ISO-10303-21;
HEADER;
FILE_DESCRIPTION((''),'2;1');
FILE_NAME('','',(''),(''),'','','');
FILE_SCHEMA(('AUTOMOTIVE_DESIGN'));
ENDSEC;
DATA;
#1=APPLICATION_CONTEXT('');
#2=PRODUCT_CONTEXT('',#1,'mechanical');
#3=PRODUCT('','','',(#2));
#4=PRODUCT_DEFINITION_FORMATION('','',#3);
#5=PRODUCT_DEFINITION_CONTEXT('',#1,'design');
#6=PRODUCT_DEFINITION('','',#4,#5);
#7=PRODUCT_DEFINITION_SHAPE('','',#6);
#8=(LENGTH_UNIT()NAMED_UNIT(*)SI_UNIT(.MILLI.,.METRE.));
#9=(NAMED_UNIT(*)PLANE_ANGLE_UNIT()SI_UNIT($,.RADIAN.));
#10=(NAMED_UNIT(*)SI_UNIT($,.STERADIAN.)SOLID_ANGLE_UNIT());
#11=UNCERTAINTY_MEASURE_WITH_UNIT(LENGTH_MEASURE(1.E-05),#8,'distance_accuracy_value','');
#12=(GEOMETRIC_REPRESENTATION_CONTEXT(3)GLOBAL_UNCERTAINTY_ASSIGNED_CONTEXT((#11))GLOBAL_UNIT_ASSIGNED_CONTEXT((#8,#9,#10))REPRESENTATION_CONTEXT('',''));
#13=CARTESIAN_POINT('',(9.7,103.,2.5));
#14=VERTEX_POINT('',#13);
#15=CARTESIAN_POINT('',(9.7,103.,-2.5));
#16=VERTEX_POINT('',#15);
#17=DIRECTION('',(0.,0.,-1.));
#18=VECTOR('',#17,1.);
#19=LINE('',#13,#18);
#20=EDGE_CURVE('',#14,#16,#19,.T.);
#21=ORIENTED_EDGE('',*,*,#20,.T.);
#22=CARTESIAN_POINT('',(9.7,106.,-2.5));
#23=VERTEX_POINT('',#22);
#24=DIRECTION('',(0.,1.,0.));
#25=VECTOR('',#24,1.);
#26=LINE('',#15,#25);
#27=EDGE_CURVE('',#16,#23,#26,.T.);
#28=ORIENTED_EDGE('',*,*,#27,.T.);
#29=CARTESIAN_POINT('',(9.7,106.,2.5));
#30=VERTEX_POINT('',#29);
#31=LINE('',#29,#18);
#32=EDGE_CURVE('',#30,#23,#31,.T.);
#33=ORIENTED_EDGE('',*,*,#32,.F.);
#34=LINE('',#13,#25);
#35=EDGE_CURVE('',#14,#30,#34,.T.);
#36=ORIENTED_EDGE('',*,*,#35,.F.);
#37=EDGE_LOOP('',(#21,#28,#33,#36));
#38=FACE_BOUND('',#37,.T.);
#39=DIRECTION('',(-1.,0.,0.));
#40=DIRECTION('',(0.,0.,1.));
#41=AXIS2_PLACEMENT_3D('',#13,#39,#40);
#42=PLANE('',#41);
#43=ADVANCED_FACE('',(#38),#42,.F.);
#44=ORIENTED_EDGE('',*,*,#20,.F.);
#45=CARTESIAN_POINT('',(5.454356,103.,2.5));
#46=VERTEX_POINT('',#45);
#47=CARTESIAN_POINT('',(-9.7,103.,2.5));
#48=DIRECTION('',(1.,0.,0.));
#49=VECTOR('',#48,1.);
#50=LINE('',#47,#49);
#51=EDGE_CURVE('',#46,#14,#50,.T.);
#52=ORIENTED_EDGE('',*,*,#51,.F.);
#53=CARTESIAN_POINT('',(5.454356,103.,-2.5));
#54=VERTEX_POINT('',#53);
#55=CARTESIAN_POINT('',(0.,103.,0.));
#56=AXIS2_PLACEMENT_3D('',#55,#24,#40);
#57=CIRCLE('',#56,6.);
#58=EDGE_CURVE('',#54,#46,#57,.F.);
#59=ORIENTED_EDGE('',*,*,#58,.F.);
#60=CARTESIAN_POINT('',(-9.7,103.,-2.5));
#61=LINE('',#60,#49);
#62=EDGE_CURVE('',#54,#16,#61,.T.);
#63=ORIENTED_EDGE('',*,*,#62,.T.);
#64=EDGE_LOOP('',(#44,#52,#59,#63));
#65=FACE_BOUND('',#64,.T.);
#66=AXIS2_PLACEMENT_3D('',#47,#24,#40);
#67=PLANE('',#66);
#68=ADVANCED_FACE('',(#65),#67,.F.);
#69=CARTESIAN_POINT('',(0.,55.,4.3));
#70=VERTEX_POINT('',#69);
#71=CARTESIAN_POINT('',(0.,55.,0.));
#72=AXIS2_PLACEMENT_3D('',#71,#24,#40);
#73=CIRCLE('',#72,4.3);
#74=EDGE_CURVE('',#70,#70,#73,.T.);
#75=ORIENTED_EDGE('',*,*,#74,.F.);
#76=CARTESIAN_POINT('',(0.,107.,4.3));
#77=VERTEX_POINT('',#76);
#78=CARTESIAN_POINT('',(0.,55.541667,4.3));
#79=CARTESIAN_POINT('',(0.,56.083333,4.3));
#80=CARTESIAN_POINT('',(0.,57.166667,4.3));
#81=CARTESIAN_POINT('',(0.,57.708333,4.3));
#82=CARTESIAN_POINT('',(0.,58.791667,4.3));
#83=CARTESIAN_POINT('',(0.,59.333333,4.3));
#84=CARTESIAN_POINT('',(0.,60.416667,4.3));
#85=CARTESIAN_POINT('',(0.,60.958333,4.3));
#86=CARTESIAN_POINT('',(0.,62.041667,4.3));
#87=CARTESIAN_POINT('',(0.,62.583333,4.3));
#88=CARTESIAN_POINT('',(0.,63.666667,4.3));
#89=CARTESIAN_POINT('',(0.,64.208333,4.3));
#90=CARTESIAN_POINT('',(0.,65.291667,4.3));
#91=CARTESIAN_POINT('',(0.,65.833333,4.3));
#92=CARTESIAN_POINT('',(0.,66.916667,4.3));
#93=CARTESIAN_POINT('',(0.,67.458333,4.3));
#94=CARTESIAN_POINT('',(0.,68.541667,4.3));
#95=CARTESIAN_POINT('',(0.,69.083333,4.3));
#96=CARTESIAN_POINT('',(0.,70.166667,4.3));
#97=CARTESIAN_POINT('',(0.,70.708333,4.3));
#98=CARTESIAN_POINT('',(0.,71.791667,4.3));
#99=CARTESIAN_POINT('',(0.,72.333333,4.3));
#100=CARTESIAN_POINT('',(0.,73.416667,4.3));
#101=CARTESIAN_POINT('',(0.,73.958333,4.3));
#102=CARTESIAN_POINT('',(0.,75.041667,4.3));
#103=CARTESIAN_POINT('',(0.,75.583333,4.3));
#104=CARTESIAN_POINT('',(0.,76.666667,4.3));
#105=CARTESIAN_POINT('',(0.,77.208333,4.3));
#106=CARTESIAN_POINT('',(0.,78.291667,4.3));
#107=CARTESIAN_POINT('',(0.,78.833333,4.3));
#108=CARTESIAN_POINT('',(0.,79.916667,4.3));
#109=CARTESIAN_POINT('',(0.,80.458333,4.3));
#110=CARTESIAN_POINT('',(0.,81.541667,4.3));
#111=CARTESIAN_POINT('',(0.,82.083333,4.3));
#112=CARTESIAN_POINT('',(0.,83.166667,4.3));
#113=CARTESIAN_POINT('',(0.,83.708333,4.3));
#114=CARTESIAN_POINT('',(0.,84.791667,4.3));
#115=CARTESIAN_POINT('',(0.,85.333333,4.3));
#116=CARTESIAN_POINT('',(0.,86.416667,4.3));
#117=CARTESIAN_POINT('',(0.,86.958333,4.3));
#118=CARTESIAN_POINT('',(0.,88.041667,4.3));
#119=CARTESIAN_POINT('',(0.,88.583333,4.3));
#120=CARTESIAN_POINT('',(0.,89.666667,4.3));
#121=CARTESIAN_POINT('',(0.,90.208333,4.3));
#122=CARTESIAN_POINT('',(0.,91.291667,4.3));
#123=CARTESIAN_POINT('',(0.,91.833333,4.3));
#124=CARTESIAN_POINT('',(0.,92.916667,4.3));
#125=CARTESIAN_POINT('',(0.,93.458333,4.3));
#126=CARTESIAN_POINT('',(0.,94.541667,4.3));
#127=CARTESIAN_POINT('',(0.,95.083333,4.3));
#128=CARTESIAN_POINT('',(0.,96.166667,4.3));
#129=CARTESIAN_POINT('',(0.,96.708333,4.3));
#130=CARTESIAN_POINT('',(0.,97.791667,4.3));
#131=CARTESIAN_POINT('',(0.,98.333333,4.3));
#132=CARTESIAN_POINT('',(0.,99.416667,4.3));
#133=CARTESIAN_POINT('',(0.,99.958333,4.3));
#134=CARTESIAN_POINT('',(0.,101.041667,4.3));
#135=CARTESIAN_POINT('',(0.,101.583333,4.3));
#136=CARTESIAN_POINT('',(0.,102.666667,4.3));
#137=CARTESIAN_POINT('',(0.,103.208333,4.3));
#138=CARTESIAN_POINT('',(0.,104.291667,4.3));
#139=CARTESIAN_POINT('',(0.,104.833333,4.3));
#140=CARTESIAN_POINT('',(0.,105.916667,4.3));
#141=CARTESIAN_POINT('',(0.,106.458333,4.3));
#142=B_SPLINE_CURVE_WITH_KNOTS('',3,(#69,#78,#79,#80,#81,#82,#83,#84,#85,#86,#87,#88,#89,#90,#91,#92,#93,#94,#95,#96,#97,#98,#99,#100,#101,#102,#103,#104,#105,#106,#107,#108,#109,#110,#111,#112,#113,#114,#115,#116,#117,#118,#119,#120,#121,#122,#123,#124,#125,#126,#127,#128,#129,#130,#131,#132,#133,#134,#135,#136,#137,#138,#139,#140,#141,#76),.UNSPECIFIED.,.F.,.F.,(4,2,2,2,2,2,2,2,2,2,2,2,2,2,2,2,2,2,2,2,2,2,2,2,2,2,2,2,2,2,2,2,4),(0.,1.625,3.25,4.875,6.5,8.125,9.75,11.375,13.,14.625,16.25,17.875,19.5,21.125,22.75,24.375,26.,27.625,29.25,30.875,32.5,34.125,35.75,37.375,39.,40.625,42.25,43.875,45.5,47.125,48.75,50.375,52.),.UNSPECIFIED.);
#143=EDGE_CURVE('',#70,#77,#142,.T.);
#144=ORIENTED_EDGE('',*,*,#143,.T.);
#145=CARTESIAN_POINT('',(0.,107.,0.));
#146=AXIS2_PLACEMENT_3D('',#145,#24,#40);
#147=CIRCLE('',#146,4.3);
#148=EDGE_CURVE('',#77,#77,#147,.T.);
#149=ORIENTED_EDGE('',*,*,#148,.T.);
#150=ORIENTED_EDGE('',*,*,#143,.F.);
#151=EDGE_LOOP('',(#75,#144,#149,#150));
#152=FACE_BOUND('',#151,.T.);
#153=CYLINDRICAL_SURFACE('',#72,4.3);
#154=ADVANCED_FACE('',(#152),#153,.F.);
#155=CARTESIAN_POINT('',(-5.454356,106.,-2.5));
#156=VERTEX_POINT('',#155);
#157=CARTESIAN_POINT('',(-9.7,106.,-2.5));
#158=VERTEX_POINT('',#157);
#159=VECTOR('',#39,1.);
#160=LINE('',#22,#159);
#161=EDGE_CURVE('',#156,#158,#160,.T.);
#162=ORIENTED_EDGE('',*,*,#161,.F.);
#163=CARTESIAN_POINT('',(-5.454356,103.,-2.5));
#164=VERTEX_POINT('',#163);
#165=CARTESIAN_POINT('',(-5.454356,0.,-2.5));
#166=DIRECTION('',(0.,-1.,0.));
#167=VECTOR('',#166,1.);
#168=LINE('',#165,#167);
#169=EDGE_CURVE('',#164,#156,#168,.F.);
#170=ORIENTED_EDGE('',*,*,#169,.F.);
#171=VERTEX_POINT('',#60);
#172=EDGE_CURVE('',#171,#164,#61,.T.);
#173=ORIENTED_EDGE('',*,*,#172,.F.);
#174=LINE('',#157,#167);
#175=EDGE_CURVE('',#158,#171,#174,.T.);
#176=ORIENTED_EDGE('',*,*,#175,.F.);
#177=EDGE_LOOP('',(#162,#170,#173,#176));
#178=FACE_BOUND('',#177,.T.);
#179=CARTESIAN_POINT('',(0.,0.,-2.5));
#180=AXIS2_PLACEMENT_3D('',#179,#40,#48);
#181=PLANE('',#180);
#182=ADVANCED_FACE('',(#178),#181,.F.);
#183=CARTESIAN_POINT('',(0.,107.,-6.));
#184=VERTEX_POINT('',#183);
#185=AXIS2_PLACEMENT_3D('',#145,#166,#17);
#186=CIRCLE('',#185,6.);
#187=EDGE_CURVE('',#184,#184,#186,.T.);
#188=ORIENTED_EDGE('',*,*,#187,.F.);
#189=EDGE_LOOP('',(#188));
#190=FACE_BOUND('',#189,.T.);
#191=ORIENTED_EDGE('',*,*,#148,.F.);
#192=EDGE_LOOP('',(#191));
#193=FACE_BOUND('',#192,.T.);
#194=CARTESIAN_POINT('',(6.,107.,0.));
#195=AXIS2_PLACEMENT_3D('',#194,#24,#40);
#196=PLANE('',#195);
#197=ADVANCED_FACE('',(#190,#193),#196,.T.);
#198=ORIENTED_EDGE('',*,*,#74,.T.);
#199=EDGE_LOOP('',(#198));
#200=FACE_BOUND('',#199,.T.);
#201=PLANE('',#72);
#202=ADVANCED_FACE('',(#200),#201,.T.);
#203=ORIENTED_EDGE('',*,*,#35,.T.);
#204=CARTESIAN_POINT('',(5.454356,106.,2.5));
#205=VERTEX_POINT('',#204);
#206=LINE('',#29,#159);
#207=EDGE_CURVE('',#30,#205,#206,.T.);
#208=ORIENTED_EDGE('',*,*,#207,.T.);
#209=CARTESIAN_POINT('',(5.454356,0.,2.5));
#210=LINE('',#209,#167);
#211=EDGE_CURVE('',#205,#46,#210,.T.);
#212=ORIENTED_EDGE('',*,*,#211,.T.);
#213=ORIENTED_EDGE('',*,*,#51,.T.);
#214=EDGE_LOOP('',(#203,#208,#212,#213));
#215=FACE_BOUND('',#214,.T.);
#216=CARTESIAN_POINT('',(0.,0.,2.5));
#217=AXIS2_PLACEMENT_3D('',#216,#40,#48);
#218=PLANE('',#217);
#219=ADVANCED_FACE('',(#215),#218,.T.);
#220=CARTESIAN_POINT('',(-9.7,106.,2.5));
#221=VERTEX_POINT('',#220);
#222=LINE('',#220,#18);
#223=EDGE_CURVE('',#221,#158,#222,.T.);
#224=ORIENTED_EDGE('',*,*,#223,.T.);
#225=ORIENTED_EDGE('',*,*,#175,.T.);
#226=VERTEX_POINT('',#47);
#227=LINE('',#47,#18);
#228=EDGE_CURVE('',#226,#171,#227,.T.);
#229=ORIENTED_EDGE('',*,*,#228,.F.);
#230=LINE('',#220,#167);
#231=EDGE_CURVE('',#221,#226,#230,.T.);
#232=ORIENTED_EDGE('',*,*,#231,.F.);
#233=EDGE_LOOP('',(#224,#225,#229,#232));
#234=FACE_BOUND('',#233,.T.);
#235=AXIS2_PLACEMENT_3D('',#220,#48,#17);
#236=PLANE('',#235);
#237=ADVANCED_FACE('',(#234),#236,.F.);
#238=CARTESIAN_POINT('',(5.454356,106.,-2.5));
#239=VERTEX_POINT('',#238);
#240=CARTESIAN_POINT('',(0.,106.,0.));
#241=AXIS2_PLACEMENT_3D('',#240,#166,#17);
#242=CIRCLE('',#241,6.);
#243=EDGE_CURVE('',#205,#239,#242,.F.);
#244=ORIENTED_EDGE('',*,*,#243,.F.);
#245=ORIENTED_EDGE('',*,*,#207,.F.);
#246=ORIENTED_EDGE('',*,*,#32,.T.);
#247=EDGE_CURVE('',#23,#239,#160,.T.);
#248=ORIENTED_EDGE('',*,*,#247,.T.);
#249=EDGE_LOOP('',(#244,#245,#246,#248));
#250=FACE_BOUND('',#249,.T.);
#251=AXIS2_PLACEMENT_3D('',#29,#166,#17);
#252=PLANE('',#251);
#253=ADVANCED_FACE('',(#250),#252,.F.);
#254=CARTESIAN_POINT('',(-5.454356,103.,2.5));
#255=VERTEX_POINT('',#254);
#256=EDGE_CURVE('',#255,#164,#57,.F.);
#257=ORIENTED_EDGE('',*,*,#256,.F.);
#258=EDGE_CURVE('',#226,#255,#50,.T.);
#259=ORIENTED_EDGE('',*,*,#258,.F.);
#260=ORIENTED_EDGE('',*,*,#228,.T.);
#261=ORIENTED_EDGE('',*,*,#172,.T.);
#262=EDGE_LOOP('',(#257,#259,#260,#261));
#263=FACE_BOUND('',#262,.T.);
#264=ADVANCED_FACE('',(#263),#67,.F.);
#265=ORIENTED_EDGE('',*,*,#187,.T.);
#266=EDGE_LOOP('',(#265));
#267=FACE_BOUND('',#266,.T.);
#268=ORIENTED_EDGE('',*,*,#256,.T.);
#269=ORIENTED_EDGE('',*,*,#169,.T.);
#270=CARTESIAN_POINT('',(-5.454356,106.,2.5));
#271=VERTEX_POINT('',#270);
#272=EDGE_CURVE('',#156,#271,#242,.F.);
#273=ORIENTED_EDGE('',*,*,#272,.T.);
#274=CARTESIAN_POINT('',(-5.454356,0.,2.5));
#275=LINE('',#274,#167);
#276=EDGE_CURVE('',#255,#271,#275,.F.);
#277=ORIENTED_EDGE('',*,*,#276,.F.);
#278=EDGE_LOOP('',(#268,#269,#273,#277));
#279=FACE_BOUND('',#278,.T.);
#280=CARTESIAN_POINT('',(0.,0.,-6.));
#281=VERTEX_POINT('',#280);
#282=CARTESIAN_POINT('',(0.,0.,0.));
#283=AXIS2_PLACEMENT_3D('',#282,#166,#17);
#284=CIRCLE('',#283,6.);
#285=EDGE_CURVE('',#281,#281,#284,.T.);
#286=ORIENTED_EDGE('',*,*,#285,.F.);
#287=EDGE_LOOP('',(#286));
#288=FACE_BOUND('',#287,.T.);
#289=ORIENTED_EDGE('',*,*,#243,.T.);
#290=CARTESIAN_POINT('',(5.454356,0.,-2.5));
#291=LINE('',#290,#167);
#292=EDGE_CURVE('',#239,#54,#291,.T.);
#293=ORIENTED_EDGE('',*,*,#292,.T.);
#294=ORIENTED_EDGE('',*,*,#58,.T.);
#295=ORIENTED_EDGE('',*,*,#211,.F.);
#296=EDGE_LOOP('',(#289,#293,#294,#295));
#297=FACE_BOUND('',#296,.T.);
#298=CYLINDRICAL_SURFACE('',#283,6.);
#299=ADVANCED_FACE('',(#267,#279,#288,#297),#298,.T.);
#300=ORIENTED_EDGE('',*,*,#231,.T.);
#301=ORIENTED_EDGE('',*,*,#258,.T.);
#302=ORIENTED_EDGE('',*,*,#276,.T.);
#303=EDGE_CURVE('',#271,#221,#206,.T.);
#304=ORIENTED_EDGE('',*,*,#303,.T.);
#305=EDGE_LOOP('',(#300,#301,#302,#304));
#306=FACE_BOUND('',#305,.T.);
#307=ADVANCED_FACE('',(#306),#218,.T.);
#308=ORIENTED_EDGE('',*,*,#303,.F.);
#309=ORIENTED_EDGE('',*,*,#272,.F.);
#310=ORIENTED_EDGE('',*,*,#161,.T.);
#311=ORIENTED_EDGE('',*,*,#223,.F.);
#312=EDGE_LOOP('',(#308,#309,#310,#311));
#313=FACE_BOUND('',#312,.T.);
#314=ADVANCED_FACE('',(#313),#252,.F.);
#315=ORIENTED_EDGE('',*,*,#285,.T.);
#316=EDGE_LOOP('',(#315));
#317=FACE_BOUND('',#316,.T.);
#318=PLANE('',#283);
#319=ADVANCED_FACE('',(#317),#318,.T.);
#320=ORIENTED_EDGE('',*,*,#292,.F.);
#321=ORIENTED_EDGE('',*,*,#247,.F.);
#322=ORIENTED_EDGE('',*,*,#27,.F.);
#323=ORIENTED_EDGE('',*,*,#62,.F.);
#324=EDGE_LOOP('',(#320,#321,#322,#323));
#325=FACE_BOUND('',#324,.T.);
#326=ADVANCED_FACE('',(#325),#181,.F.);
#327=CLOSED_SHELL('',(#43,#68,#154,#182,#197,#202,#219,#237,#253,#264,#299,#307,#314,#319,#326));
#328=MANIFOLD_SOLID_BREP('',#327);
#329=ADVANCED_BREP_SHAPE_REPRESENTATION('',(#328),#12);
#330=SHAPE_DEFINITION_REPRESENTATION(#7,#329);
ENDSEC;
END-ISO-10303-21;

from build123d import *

# Parameters (mm, degrees)
SKETCH_1_W                = 6
SKETCH_1_H                = 107
SKETCH_3_W                = 19.4
SKETCH_3_H                = 3
INTERNAL_OUTPUT_KEY_DEPTH = 5
SKETCH_4_R                = 4.3
SCREW_CLEARANCE_DEPTH     = 52


with BuildPart() as part:
    # 草图1 → Output_tube (revolve)
    with BuildSketch(Plane.XY, mode=Mode.PRIVATE) as output_tube_sk:
        with Locations((3, 53.5)):
            Rectangle(SKETCH_1_W, SKETCH_1_H)
    revolve(output_tube_sk.sketch.rotate(Axis((0, 0, 0), (0, 1, 0)), 90), axis=Axis((0, 0, 0), (0, 1, 0)))

    # 草图3 → Internal_output_key (add)
    with BuildSketch(Plane.XY.offset(-2.5)):
        with Locations((0, 104.5)):
            Rectangle(SKETCH_3_W, SKETCH_3_H)
    extrude(amount=INTERNAL_OUTPUT_KEY_DEPTH)

    # 草图4 → Screw_clearance (cut)
    with BuildSketch(Plane(origin=(0, 107, 0), x_dir=(1, 0, 0), z_dir=(0, 1, 0))):
        with Locations(Location((0, 0, 0), (0, 0, 270))):
            Circle(SKETCH_4_R)
    extrude(amount=-SCREW_CLEARANCE_DEPTH, mode=Mode.SUBTRACT)


solid = part.part
